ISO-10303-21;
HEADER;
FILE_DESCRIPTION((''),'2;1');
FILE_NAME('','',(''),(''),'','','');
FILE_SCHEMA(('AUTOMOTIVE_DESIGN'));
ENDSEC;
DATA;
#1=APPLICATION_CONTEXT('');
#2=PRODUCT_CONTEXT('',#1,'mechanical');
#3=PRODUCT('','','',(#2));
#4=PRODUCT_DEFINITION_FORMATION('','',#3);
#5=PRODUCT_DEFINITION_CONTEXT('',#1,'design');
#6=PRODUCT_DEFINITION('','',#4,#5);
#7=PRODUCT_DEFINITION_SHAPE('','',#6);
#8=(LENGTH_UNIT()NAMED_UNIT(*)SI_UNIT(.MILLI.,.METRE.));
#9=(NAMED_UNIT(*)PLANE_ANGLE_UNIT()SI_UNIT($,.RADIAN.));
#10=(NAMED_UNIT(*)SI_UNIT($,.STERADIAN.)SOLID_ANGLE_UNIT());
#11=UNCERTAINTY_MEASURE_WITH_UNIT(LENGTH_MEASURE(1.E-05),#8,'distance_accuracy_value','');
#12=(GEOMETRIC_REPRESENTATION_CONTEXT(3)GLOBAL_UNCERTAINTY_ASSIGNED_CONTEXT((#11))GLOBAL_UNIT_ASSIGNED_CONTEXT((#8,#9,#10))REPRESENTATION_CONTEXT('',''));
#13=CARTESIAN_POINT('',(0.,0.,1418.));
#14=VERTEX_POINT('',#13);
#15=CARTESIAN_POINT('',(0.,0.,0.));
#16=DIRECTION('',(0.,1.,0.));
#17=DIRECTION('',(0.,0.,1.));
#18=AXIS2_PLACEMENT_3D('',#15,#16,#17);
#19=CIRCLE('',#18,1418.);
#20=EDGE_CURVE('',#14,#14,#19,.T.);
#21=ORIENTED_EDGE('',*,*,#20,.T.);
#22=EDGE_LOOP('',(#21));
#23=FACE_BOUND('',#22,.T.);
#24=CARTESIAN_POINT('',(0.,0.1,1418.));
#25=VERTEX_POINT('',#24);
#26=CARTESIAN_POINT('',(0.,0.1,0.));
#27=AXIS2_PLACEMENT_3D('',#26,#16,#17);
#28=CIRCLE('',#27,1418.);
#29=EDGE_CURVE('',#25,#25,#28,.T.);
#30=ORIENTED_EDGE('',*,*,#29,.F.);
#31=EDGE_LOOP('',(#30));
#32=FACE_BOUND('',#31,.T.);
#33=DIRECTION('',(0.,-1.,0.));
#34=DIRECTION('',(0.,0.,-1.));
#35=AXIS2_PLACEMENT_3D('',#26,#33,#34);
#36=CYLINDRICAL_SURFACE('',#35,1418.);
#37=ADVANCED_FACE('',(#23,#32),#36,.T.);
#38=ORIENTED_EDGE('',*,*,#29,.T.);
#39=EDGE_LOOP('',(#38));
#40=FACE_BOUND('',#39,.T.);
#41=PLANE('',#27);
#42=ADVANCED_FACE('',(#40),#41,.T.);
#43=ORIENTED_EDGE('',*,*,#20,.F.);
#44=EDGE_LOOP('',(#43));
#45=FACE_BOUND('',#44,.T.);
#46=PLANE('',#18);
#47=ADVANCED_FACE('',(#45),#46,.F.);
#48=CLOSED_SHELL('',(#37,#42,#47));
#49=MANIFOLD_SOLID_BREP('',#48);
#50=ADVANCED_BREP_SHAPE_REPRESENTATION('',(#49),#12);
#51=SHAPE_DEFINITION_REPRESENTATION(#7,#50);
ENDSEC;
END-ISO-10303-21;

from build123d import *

# Parameters (mm, degrees)
SKETCH1_R                         = 1418
CRX_10IAL_MAXREACHREFERENCE_DEPTH = 0.1


with BuildPart() as part:
    # Sketch1 → CRX-10iAL_MaxReachReference (new body)
    with BuildSketch(Plane(origin=(0, 0, 0), x_dir=(1, 0, 0), z_dir=(0, 1, 0))):
        Circle(SKETCH1_R)
    extrude(amount=CRX_10IAL_MAXREACHREFERENCE_DEPTH)


solid = part.part
